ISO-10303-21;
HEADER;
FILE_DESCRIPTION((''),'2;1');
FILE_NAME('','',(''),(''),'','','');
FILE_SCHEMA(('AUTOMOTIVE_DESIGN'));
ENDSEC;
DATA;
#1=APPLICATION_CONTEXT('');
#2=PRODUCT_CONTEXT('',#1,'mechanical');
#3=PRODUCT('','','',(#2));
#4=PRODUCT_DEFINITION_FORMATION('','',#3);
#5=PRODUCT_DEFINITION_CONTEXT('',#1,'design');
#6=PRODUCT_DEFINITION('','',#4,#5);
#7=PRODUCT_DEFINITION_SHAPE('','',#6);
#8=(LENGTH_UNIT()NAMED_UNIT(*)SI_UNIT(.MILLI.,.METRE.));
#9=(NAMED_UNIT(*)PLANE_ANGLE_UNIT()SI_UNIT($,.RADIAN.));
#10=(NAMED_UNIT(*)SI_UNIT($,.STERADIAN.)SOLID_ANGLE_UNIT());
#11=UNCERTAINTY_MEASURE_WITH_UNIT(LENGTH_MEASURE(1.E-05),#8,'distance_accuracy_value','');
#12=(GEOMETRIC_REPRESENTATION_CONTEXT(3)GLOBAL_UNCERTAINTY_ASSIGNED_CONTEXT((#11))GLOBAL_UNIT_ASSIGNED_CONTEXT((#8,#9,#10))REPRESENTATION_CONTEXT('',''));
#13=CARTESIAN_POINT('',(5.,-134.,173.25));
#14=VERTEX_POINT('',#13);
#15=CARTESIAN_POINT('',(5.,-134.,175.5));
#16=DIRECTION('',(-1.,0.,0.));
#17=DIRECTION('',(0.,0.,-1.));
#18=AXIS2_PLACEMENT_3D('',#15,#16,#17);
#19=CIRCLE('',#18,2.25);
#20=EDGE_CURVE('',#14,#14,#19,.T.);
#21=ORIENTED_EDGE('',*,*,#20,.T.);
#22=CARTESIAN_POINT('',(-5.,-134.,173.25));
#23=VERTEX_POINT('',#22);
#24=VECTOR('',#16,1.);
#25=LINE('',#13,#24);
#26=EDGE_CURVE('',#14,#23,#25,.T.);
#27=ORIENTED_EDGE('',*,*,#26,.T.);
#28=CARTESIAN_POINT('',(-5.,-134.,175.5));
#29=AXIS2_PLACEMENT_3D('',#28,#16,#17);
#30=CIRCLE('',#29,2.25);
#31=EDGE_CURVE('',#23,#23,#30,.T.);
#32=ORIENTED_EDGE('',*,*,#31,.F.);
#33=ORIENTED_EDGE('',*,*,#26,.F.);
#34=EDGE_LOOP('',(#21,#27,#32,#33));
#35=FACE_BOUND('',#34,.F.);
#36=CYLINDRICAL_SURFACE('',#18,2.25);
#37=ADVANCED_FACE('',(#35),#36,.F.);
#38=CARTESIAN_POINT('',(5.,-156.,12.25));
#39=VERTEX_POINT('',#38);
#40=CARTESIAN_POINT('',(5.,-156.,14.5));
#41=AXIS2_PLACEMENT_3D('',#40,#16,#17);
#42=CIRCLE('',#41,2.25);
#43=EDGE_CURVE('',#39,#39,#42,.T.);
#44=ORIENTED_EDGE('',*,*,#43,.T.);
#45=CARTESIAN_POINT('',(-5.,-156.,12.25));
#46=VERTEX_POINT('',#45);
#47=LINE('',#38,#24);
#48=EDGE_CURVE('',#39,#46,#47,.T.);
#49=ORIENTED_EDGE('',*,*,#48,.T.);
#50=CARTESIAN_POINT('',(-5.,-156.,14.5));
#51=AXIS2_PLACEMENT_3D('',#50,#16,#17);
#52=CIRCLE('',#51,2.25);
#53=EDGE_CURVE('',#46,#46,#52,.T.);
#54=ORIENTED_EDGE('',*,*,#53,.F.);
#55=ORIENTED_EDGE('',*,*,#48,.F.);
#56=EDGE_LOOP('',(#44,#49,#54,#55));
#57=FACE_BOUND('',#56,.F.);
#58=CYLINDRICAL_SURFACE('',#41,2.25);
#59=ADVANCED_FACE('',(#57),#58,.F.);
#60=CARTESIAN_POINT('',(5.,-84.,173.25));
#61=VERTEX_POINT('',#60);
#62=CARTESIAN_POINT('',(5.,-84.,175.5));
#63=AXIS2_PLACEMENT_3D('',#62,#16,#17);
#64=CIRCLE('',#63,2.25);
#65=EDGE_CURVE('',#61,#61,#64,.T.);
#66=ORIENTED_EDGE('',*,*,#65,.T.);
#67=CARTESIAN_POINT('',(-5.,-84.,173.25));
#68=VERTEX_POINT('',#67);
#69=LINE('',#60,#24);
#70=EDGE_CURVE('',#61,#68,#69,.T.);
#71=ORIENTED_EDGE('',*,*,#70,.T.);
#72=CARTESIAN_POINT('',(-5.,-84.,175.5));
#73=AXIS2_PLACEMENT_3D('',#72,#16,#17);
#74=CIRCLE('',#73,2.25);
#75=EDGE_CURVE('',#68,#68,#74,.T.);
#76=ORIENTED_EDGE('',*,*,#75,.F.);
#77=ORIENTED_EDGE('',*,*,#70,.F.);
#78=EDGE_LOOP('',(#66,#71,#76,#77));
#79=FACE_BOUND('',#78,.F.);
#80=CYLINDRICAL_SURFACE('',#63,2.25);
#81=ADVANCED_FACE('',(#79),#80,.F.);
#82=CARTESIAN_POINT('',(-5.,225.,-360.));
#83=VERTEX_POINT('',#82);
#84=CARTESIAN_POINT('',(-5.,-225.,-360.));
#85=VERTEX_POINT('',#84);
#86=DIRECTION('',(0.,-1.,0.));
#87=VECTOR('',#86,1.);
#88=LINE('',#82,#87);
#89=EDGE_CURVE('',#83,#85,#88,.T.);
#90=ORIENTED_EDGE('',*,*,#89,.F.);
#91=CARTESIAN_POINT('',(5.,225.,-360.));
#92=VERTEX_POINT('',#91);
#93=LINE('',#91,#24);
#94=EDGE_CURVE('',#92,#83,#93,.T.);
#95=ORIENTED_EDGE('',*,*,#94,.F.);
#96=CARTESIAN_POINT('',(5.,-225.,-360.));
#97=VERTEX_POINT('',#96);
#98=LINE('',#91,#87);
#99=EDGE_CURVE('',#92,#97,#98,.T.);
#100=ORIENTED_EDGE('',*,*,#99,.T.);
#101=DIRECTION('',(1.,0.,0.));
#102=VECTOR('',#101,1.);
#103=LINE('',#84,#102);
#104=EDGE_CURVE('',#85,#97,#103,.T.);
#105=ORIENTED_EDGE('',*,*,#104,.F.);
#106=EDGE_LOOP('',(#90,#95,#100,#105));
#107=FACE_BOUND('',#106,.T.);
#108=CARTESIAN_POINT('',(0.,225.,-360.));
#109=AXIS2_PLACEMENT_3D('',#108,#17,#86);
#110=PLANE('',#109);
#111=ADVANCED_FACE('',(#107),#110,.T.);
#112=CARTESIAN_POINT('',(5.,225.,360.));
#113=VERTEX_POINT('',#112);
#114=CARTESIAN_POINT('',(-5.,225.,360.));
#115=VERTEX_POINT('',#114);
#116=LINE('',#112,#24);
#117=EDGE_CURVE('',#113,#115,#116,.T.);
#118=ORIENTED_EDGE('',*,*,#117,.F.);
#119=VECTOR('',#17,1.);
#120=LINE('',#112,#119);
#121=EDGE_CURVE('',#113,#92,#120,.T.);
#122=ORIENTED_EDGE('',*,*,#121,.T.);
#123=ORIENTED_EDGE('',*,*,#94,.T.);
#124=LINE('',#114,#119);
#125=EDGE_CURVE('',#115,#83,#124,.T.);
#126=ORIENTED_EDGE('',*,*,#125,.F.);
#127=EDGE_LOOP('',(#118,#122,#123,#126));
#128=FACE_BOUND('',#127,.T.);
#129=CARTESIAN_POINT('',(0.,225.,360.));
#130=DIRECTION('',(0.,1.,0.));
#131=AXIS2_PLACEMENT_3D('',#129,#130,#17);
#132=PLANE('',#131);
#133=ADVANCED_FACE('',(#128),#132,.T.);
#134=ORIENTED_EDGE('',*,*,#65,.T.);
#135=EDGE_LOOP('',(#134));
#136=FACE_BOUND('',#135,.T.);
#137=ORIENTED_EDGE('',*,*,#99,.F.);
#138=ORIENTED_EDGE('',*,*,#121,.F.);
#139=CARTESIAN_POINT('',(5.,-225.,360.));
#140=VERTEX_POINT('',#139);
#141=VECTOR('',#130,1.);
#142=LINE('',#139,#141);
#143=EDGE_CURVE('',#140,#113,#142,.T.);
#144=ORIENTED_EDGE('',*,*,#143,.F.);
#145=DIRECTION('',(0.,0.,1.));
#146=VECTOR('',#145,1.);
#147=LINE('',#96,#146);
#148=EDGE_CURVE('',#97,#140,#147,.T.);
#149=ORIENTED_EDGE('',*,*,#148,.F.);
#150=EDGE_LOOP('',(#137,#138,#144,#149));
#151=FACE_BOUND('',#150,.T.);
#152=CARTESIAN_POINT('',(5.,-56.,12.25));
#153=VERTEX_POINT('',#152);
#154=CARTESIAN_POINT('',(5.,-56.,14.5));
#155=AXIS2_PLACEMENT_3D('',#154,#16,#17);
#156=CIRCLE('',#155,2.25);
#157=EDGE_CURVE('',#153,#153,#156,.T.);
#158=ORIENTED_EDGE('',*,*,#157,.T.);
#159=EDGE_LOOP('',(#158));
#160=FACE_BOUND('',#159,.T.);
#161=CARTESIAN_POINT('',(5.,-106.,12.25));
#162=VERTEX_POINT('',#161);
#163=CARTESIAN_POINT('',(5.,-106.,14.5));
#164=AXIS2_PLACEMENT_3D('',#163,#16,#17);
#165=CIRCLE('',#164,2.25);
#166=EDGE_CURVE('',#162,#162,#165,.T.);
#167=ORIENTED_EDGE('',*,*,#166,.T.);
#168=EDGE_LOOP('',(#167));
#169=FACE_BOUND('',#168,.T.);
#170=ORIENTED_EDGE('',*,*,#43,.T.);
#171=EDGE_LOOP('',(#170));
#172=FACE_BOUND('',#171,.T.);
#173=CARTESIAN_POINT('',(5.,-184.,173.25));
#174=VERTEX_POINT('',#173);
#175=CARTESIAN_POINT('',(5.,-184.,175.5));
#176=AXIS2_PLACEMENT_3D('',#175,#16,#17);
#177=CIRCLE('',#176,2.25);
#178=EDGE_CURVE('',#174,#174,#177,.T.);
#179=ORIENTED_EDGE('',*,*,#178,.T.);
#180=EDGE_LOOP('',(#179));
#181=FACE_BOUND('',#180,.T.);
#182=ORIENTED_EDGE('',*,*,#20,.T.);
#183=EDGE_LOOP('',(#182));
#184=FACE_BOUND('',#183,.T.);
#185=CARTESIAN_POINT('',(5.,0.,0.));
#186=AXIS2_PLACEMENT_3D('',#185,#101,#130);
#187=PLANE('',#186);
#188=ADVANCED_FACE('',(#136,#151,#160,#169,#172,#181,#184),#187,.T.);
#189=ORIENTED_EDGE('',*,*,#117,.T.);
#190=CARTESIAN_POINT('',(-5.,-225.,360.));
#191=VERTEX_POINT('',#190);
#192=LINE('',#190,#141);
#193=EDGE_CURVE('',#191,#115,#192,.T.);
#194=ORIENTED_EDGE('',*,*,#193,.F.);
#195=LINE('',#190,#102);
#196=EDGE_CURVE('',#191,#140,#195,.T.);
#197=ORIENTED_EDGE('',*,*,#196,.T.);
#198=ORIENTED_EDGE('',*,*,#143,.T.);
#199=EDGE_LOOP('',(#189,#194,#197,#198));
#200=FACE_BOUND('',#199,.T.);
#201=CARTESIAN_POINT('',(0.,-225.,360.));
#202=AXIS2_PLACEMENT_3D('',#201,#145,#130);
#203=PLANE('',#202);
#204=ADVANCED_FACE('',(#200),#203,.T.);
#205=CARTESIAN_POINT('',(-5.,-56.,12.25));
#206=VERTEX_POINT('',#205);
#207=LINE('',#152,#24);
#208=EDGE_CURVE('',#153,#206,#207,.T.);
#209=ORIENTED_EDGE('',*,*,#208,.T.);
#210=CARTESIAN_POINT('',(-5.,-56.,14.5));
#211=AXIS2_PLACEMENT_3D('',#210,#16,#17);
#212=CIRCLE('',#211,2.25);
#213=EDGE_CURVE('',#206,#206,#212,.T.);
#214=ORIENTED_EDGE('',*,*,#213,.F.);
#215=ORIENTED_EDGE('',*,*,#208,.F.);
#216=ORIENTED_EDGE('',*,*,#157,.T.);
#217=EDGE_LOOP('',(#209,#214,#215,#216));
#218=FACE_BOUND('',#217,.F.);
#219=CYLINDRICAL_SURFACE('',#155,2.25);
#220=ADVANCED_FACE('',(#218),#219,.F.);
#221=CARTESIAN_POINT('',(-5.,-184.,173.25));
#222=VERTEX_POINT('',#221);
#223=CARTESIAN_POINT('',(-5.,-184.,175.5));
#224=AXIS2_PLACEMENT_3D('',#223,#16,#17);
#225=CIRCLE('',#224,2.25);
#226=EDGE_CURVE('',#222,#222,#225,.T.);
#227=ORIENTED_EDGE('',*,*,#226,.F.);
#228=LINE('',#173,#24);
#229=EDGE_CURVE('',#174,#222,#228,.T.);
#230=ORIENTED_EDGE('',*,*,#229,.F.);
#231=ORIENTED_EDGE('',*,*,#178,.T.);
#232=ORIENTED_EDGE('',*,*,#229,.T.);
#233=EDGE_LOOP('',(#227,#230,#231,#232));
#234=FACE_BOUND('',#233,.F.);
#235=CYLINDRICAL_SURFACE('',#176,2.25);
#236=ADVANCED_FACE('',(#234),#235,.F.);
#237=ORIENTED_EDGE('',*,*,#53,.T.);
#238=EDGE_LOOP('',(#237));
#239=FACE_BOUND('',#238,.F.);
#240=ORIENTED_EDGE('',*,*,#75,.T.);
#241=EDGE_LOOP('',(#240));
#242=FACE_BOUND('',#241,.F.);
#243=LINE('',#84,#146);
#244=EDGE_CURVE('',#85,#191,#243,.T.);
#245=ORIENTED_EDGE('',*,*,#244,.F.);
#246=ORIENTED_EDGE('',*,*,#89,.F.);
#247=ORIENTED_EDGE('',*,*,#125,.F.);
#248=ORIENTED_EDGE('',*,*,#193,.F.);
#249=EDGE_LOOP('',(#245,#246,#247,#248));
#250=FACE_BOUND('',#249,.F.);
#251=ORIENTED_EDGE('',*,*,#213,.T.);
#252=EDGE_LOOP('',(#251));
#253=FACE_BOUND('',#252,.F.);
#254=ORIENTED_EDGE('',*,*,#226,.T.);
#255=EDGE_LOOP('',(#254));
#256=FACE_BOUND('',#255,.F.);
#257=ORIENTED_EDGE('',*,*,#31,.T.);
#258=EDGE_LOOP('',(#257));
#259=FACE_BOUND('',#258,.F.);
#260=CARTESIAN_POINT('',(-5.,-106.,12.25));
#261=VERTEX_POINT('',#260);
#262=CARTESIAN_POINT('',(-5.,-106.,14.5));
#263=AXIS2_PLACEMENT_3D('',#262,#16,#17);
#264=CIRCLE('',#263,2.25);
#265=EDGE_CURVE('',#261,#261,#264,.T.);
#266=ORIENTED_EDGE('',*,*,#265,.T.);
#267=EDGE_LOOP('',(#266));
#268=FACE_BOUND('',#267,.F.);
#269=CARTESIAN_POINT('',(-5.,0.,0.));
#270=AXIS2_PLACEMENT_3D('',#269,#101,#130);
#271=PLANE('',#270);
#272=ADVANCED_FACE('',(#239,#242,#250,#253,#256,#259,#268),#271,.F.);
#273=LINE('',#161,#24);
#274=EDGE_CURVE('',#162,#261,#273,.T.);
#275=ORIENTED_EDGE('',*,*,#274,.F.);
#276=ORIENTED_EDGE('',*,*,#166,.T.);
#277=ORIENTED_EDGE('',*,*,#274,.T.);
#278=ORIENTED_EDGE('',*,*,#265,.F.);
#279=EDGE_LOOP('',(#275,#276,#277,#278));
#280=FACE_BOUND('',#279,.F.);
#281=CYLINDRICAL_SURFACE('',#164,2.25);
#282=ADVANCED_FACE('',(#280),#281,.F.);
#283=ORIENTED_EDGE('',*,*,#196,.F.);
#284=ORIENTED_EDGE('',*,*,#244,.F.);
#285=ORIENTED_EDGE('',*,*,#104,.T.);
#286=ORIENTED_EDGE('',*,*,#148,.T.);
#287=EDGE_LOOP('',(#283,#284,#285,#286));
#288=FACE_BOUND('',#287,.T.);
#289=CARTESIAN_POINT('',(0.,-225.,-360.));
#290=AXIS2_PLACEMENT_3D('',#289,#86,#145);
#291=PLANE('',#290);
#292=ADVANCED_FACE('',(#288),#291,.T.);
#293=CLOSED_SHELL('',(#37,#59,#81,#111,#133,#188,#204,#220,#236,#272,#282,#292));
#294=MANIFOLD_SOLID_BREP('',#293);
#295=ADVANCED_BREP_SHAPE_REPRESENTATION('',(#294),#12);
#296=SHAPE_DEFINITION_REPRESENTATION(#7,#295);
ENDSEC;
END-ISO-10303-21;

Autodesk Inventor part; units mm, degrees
ref_plane "YZ Plane" through (0, 0, 0) normal (1, 0, 0) x (0, 1, 0)
ref_plane "XZ Plane" through (0, 0, 0) normal (0, 1, 0) x (-1, 0, 0)
ref_plane "XY Plane" through (0, 0, 0) normal (0, 0, 1) x (1, 0, 0)
sketch "Sketch2" plane through (0, 0, 0) normal (1, 0, 0) x (0, 1, 0)
  line L0 (-225, 360) -> (225, 360)
  line L1 (225, 360) -> (225, -360)
  line L2 (225, -360) -> (-225, -360)
  line L3 (-225, -360) -> (-225, 360)
  line L4 (-225, 360) -> (225, -360) construction
  line L5 (225, 360) -> (-225, -360) construction
  point P0 (0, 0)
  dimension "d0" = 450
  dimension "d1" = 720
extrude "Extrusion1" add sketch "Sketch2" along normal mid plane 10
sketch "Sketch3" plane through (5, 0, 0) normal (1, 0, 0) x (0, 0, -1)
  line L0 (360, -225) -> (360, 225) projected
  line L1 (360, 225) -> (-360, 225) projected
  line L2 (-360, 225) -> (-360, -225) projected
  line L3 (-360, -225) -> (360, -225) projected
  line L4 (-335, -200) -> (-335, 200)
  line L5 (-335, 200) -> (335, 200)
  line L6 (335, 200) -> (335, -200)
  line L7 (335, -200) -> (-335, -200)
  line L8 (-175.5, -184) -> (-175.5, -134) construction
  line L9 (-175.5, -134) -> (-175.5, -84) construction
  line L10 (-175.5, -184) -> (-14.5, -156) construction
  line L11 (-175.5, -134) -> (-14.5, -106) construction
  line L12 (-175.5, -84) -> (-14.5, -56) construction
  line L13 (-180, -190) -> (-10, -190)
  line L14 (-10, -190) -> (-10, -150)
  line L15 (-10, -150) -> (-180, -150)
  line L16 (-180, -150) -> (-180, -190)
  line L17 (-180, -190) -> (-10, -150) construction
  line L18 (-10, -190) -> (-180, -150) construction
  line L19 (-180, -140) -> (-10, -140)
  line L20 (-10, -140) -> (-10, -100)
  line L21 (-10, -100) -> (-180, -100)
  line L22 (-180, -100) -> (-180, -140)
  line L23 (-180, -140) -> (-10, -100) construction
  line L24 (-10, -140) -> (-180, -100) construction
  line L25 (-180, -90) -> (-10, -90)
  line L26 (-10, -90) -> (-10, -50)
  line L27 (-10, -50) -> (-180, -50)
  line L28 (-180, -50) -> (-180, -90)
  line L29 (-180, -90) -> (-10, -50) construction
  line L30 (-10, -90) -> (-180, -50) construction
  point P0 (0, 0)
  point P1 (-95, -170)
  point P2 (-95, -120)
  point P3 (-95, -70)
  dimension "d4" = 25
  dimension "d5" = 28
  dimension "d6" = 161
  dimension "d7" = 161
  dimension "d8" = 28
  dimension "d9" = 28
  dimension "d10" = 161
  dimension "d11" = 50
  dimension "d12" = 50
  dimension "d13" = 170
  dimension "d14" = 40
  dimension "d15" = 170
  dimension "d16" = 40
  dimension "d17" = 170
  dimension "d18" = 40
  dimension "d21" = 10
  dimension "d29" = 155
hole "Hole1" at (5, -84, 175.5) at (5, -56, 14.5) at (5, -134, 175.5) at (5, -106, 14.5) at (5, -184, 175.5) at (5, -156, 14.5) direction (-1, 0, 0) diameter 4.5 end through all clearance for "Flat Head Machine Screw" size "M4" standard "Ansi Metric M Profile"
properties part number "RT_ELE_MC_017_MainBackPlate" material "UHMW, Black"
